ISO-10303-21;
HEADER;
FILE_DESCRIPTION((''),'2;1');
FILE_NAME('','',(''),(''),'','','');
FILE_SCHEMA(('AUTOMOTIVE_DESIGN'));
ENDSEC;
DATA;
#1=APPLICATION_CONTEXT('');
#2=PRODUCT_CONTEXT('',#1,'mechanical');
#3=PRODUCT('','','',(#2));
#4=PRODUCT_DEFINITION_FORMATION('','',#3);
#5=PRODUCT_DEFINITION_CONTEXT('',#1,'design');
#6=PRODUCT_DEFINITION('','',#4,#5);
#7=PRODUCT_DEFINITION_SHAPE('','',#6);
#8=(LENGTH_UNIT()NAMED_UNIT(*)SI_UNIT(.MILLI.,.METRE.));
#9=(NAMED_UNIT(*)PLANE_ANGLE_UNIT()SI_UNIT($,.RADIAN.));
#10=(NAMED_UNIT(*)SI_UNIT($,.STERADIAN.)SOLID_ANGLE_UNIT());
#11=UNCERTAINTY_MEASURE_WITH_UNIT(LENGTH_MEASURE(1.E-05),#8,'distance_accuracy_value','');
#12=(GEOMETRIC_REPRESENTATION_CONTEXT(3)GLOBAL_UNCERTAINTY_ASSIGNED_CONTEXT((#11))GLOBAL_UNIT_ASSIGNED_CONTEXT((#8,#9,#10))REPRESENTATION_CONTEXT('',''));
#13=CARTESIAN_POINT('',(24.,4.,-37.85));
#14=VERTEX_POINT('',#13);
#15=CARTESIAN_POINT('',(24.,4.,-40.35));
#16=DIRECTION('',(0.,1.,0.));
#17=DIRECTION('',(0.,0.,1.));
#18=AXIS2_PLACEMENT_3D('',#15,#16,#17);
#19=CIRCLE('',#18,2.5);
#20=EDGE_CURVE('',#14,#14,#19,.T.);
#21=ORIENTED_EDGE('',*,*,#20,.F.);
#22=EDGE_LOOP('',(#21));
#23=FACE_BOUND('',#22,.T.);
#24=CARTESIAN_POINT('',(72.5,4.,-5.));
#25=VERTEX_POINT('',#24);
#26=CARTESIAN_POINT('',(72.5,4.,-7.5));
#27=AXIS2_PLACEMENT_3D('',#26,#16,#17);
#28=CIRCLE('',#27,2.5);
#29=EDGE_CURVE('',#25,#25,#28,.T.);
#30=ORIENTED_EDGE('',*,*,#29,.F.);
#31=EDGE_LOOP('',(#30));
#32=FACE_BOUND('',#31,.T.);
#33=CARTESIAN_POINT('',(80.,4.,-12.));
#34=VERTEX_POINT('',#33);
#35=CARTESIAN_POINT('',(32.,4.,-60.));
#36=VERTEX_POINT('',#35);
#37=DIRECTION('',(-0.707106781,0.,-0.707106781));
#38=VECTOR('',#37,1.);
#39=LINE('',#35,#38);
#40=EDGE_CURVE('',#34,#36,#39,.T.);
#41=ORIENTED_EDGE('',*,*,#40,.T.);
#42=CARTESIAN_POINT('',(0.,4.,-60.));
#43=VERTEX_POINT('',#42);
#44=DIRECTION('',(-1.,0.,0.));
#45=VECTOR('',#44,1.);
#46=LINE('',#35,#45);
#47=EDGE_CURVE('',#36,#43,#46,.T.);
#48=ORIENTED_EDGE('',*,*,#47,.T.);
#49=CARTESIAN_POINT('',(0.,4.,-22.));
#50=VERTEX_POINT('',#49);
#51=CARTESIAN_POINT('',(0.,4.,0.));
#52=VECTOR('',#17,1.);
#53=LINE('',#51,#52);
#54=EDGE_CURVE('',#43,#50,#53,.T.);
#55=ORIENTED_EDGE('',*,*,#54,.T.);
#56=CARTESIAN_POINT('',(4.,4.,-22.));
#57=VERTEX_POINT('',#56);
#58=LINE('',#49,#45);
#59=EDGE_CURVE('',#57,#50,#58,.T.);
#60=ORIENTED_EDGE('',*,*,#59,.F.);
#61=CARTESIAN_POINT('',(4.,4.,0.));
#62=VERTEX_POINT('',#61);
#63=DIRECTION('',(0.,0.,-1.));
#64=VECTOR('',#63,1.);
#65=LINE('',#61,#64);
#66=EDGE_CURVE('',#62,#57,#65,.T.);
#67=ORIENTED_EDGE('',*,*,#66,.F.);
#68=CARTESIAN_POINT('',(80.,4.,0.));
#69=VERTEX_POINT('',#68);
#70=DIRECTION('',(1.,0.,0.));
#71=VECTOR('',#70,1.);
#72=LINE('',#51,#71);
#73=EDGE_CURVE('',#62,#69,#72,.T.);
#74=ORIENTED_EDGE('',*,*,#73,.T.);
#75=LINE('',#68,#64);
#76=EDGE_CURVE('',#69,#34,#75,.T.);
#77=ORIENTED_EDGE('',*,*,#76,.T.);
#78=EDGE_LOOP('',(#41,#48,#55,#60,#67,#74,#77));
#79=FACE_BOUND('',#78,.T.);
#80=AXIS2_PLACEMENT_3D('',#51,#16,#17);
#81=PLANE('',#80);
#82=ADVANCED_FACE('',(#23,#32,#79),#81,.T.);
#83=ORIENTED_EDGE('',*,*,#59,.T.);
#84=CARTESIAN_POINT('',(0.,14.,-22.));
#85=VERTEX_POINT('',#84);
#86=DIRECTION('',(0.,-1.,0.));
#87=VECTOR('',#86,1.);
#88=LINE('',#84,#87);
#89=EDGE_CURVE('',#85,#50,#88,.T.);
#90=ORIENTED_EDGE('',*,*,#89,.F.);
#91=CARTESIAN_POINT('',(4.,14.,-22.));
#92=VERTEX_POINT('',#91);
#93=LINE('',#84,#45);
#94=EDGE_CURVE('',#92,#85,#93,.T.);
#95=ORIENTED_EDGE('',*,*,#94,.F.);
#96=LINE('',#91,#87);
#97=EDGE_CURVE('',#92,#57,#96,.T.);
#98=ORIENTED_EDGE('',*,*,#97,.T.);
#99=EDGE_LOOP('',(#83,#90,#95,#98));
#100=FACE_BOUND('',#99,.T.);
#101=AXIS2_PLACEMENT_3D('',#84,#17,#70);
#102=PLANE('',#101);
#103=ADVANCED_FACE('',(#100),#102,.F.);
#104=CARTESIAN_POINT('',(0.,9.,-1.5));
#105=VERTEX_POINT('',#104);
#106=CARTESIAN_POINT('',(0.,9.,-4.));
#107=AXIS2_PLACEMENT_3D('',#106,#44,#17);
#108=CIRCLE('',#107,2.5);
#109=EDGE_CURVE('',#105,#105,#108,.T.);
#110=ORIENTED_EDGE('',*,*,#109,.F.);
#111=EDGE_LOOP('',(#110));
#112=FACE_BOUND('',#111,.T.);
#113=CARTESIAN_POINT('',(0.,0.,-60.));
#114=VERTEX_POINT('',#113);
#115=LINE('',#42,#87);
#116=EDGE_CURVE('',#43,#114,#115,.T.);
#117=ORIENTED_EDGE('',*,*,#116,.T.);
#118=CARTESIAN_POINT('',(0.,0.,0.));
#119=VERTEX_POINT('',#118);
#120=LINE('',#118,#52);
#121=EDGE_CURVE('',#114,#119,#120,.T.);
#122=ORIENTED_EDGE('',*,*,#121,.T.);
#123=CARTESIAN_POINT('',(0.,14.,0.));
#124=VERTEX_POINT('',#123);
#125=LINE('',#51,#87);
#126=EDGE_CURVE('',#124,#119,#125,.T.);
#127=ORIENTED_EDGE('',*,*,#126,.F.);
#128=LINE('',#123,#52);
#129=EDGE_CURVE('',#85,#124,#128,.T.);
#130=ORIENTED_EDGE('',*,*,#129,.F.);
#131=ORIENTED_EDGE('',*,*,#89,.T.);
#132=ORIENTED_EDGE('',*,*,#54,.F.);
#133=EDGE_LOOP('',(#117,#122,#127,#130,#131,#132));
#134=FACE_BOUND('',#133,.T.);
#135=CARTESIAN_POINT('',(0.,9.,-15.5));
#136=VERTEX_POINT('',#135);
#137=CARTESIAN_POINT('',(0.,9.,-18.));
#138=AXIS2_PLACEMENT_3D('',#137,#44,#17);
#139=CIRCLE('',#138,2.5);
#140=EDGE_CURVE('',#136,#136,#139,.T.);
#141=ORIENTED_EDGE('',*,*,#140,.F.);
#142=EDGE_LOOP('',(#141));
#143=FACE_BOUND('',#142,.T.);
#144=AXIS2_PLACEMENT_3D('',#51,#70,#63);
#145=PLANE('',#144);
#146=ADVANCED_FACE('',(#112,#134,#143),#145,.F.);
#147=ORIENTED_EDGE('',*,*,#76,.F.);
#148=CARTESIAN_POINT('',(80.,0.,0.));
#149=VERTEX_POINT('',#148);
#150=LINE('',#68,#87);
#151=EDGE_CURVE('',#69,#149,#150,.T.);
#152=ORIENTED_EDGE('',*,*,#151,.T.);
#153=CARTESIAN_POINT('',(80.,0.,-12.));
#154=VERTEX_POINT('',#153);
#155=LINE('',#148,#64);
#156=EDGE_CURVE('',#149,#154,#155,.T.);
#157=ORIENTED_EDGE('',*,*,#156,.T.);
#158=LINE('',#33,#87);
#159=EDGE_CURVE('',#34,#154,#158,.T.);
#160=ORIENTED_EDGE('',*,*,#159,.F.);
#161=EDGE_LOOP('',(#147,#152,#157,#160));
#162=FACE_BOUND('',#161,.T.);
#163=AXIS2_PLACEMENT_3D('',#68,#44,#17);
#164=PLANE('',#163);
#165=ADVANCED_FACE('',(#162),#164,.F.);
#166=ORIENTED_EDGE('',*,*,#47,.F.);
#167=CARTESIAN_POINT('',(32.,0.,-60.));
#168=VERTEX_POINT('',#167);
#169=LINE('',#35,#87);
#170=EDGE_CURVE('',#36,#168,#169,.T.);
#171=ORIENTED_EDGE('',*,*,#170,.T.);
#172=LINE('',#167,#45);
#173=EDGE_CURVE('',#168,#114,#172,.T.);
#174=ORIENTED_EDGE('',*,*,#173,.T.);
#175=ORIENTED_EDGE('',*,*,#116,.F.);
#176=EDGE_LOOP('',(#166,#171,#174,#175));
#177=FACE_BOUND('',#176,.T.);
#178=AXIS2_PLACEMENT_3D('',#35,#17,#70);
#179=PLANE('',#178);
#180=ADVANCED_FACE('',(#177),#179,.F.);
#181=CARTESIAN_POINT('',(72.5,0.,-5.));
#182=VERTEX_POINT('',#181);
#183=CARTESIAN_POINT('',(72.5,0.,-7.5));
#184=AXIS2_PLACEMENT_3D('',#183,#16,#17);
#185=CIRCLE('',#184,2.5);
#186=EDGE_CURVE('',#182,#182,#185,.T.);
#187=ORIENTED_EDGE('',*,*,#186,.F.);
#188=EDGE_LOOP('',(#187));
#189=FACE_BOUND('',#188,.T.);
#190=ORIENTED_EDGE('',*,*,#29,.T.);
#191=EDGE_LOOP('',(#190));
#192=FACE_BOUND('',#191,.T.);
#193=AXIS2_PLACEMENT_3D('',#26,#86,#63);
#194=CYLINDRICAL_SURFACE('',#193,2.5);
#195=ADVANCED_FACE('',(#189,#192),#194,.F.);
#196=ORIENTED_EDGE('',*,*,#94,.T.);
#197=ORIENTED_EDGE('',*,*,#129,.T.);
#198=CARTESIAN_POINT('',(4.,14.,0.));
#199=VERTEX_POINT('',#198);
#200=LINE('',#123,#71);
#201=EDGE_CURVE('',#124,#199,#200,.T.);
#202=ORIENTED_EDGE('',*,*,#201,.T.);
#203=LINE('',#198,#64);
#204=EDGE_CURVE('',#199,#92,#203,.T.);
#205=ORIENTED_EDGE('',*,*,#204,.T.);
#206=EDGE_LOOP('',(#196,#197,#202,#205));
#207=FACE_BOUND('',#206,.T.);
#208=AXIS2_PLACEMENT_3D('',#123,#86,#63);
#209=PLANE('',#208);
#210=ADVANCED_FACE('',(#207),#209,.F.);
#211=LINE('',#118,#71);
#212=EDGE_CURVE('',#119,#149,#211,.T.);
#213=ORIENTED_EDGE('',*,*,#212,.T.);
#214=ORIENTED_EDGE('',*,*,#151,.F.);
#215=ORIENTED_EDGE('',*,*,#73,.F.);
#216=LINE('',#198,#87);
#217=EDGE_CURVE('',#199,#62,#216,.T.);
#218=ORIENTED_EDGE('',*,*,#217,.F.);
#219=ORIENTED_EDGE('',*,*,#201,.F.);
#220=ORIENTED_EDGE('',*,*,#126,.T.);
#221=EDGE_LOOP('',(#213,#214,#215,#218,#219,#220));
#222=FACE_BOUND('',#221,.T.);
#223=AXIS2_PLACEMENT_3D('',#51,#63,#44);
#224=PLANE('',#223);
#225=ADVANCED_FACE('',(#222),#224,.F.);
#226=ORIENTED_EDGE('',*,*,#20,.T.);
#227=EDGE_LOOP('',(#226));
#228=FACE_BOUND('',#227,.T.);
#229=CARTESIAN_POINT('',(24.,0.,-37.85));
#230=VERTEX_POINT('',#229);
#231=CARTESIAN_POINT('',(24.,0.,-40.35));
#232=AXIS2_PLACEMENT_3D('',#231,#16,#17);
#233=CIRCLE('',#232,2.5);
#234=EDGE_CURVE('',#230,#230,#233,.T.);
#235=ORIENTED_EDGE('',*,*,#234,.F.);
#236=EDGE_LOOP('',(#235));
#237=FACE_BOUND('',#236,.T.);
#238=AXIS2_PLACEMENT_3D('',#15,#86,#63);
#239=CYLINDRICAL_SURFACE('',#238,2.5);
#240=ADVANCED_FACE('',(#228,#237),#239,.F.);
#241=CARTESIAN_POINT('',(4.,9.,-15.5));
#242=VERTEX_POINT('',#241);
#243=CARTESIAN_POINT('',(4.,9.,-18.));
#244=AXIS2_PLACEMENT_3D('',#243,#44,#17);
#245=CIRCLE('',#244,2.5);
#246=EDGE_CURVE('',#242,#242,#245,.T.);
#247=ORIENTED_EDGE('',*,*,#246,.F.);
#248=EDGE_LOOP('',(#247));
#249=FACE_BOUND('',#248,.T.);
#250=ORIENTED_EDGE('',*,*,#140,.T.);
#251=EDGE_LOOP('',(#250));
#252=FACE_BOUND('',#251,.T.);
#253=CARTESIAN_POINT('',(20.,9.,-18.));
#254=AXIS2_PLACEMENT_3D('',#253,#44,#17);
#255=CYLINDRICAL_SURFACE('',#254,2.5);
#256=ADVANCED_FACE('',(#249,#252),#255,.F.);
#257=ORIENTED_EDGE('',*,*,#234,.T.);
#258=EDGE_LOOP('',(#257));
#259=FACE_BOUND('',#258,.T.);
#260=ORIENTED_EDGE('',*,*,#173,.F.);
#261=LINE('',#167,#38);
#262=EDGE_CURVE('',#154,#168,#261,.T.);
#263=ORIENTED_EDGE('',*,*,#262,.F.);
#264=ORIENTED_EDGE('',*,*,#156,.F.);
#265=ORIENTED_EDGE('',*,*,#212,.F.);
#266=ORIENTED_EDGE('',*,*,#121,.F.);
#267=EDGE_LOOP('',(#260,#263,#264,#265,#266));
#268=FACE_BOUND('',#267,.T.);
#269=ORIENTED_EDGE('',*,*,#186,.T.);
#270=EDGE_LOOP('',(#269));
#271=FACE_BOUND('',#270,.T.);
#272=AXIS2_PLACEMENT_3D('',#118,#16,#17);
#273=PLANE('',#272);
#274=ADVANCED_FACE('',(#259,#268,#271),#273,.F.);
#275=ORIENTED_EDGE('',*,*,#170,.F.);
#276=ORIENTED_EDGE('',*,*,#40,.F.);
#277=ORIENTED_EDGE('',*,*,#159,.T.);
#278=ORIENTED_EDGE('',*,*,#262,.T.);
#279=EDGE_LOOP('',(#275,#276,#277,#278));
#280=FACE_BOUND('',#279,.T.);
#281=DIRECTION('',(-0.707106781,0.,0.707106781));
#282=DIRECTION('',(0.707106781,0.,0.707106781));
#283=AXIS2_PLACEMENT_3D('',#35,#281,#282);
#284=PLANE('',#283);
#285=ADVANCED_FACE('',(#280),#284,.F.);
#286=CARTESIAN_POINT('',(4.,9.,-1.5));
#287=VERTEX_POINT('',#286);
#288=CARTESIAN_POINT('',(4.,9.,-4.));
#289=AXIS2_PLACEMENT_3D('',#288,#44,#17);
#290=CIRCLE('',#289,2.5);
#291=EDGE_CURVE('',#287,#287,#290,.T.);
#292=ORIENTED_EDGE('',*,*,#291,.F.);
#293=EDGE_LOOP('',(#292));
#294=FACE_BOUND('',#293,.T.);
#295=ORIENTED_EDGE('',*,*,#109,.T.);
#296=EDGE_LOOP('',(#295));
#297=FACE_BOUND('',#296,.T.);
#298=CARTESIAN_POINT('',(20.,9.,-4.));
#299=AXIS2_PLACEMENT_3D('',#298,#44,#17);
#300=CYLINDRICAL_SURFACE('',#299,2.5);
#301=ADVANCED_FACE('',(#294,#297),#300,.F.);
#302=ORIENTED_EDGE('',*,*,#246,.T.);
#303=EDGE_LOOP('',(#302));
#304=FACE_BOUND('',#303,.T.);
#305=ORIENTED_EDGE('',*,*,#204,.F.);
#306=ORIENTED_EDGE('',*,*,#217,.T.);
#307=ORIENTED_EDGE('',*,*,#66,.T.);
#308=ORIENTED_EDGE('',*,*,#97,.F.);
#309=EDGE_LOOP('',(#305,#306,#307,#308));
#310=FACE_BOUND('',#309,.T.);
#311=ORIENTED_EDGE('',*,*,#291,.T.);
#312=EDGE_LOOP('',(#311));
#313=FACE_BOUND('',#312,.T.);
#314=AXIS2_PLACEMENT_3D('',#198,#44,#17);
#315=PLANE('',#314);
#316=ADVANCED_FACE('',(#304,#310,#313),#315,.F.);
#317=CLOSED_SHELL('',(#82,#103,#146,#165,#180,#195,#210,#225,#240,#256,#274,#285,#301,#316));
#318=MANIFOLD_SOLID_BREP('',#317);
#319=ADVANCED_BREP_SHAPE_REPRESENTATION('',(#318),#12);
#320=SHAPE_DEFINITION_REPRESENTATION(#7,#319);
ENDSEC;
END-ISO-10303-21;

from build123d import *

# Parameters (mm, degrees)
SKETCH1_R           = 2.5
BOSS_EXTRUDE1_DEPTH = 4
SKETCH2_W           = 4
SKETCH2_H           = 22
BOSS_EXTRUDE2_DEPTH = 10
SKETCH3_R           = 2.5
CUT_EXTRUDE1_DEPTH  = 20


with BuildPart() as part:
    # Sketch1 → Boss-Extrude1 (new body)
    with BuildSketch(Plane(origin=(0, 0, 0), x_dir=(1, 0, 0), z_dir=(0, 1, 0))):
        Polygon((32, 60), (80, 12), (80, 0), (0, 0), (0, 60), align=None)
        with Locations(Location((24, 40.35, 0), (0, 0, 270))):
            Circle(SKETCH1_R, mode=Mode.SUBTRACT)
        with Locations(Location((72.5, 7.5, 0), (0, 0, 270))):
            Circle(SKETCH1_R, mode=Mode.SUBTRACT)
    extrude(amount=BOSS_EXTRUDE1_DEPTH)

    # Sketch2 → Boss-Extrude2 (add)
    with BuildSketch(Plane(origin=(0, 4, 0), x_dir=(1, 0, 0), z_dir=(0, 1, 0))):
        with Locations((2, 11)):
            Rectangle(SKETCH2_W, SKETCH2_H)
    extrude(amount=BOSS_EXTRUDE2_DEPTH)

    # Sketch3 → Cut-Extrude1 (cut)
    with BuildSketch(Plane.ZY):
        with Locations((-18, 9)):
            Circle(SKETCH3_R)
        with Locations((-4, 9)):
            Circle(SKETCH3_R)
    extrude(amount=-CUT_EXTRUDE1_DEPTH, mode=Mode.SUBTRACT)


solid = part.part
